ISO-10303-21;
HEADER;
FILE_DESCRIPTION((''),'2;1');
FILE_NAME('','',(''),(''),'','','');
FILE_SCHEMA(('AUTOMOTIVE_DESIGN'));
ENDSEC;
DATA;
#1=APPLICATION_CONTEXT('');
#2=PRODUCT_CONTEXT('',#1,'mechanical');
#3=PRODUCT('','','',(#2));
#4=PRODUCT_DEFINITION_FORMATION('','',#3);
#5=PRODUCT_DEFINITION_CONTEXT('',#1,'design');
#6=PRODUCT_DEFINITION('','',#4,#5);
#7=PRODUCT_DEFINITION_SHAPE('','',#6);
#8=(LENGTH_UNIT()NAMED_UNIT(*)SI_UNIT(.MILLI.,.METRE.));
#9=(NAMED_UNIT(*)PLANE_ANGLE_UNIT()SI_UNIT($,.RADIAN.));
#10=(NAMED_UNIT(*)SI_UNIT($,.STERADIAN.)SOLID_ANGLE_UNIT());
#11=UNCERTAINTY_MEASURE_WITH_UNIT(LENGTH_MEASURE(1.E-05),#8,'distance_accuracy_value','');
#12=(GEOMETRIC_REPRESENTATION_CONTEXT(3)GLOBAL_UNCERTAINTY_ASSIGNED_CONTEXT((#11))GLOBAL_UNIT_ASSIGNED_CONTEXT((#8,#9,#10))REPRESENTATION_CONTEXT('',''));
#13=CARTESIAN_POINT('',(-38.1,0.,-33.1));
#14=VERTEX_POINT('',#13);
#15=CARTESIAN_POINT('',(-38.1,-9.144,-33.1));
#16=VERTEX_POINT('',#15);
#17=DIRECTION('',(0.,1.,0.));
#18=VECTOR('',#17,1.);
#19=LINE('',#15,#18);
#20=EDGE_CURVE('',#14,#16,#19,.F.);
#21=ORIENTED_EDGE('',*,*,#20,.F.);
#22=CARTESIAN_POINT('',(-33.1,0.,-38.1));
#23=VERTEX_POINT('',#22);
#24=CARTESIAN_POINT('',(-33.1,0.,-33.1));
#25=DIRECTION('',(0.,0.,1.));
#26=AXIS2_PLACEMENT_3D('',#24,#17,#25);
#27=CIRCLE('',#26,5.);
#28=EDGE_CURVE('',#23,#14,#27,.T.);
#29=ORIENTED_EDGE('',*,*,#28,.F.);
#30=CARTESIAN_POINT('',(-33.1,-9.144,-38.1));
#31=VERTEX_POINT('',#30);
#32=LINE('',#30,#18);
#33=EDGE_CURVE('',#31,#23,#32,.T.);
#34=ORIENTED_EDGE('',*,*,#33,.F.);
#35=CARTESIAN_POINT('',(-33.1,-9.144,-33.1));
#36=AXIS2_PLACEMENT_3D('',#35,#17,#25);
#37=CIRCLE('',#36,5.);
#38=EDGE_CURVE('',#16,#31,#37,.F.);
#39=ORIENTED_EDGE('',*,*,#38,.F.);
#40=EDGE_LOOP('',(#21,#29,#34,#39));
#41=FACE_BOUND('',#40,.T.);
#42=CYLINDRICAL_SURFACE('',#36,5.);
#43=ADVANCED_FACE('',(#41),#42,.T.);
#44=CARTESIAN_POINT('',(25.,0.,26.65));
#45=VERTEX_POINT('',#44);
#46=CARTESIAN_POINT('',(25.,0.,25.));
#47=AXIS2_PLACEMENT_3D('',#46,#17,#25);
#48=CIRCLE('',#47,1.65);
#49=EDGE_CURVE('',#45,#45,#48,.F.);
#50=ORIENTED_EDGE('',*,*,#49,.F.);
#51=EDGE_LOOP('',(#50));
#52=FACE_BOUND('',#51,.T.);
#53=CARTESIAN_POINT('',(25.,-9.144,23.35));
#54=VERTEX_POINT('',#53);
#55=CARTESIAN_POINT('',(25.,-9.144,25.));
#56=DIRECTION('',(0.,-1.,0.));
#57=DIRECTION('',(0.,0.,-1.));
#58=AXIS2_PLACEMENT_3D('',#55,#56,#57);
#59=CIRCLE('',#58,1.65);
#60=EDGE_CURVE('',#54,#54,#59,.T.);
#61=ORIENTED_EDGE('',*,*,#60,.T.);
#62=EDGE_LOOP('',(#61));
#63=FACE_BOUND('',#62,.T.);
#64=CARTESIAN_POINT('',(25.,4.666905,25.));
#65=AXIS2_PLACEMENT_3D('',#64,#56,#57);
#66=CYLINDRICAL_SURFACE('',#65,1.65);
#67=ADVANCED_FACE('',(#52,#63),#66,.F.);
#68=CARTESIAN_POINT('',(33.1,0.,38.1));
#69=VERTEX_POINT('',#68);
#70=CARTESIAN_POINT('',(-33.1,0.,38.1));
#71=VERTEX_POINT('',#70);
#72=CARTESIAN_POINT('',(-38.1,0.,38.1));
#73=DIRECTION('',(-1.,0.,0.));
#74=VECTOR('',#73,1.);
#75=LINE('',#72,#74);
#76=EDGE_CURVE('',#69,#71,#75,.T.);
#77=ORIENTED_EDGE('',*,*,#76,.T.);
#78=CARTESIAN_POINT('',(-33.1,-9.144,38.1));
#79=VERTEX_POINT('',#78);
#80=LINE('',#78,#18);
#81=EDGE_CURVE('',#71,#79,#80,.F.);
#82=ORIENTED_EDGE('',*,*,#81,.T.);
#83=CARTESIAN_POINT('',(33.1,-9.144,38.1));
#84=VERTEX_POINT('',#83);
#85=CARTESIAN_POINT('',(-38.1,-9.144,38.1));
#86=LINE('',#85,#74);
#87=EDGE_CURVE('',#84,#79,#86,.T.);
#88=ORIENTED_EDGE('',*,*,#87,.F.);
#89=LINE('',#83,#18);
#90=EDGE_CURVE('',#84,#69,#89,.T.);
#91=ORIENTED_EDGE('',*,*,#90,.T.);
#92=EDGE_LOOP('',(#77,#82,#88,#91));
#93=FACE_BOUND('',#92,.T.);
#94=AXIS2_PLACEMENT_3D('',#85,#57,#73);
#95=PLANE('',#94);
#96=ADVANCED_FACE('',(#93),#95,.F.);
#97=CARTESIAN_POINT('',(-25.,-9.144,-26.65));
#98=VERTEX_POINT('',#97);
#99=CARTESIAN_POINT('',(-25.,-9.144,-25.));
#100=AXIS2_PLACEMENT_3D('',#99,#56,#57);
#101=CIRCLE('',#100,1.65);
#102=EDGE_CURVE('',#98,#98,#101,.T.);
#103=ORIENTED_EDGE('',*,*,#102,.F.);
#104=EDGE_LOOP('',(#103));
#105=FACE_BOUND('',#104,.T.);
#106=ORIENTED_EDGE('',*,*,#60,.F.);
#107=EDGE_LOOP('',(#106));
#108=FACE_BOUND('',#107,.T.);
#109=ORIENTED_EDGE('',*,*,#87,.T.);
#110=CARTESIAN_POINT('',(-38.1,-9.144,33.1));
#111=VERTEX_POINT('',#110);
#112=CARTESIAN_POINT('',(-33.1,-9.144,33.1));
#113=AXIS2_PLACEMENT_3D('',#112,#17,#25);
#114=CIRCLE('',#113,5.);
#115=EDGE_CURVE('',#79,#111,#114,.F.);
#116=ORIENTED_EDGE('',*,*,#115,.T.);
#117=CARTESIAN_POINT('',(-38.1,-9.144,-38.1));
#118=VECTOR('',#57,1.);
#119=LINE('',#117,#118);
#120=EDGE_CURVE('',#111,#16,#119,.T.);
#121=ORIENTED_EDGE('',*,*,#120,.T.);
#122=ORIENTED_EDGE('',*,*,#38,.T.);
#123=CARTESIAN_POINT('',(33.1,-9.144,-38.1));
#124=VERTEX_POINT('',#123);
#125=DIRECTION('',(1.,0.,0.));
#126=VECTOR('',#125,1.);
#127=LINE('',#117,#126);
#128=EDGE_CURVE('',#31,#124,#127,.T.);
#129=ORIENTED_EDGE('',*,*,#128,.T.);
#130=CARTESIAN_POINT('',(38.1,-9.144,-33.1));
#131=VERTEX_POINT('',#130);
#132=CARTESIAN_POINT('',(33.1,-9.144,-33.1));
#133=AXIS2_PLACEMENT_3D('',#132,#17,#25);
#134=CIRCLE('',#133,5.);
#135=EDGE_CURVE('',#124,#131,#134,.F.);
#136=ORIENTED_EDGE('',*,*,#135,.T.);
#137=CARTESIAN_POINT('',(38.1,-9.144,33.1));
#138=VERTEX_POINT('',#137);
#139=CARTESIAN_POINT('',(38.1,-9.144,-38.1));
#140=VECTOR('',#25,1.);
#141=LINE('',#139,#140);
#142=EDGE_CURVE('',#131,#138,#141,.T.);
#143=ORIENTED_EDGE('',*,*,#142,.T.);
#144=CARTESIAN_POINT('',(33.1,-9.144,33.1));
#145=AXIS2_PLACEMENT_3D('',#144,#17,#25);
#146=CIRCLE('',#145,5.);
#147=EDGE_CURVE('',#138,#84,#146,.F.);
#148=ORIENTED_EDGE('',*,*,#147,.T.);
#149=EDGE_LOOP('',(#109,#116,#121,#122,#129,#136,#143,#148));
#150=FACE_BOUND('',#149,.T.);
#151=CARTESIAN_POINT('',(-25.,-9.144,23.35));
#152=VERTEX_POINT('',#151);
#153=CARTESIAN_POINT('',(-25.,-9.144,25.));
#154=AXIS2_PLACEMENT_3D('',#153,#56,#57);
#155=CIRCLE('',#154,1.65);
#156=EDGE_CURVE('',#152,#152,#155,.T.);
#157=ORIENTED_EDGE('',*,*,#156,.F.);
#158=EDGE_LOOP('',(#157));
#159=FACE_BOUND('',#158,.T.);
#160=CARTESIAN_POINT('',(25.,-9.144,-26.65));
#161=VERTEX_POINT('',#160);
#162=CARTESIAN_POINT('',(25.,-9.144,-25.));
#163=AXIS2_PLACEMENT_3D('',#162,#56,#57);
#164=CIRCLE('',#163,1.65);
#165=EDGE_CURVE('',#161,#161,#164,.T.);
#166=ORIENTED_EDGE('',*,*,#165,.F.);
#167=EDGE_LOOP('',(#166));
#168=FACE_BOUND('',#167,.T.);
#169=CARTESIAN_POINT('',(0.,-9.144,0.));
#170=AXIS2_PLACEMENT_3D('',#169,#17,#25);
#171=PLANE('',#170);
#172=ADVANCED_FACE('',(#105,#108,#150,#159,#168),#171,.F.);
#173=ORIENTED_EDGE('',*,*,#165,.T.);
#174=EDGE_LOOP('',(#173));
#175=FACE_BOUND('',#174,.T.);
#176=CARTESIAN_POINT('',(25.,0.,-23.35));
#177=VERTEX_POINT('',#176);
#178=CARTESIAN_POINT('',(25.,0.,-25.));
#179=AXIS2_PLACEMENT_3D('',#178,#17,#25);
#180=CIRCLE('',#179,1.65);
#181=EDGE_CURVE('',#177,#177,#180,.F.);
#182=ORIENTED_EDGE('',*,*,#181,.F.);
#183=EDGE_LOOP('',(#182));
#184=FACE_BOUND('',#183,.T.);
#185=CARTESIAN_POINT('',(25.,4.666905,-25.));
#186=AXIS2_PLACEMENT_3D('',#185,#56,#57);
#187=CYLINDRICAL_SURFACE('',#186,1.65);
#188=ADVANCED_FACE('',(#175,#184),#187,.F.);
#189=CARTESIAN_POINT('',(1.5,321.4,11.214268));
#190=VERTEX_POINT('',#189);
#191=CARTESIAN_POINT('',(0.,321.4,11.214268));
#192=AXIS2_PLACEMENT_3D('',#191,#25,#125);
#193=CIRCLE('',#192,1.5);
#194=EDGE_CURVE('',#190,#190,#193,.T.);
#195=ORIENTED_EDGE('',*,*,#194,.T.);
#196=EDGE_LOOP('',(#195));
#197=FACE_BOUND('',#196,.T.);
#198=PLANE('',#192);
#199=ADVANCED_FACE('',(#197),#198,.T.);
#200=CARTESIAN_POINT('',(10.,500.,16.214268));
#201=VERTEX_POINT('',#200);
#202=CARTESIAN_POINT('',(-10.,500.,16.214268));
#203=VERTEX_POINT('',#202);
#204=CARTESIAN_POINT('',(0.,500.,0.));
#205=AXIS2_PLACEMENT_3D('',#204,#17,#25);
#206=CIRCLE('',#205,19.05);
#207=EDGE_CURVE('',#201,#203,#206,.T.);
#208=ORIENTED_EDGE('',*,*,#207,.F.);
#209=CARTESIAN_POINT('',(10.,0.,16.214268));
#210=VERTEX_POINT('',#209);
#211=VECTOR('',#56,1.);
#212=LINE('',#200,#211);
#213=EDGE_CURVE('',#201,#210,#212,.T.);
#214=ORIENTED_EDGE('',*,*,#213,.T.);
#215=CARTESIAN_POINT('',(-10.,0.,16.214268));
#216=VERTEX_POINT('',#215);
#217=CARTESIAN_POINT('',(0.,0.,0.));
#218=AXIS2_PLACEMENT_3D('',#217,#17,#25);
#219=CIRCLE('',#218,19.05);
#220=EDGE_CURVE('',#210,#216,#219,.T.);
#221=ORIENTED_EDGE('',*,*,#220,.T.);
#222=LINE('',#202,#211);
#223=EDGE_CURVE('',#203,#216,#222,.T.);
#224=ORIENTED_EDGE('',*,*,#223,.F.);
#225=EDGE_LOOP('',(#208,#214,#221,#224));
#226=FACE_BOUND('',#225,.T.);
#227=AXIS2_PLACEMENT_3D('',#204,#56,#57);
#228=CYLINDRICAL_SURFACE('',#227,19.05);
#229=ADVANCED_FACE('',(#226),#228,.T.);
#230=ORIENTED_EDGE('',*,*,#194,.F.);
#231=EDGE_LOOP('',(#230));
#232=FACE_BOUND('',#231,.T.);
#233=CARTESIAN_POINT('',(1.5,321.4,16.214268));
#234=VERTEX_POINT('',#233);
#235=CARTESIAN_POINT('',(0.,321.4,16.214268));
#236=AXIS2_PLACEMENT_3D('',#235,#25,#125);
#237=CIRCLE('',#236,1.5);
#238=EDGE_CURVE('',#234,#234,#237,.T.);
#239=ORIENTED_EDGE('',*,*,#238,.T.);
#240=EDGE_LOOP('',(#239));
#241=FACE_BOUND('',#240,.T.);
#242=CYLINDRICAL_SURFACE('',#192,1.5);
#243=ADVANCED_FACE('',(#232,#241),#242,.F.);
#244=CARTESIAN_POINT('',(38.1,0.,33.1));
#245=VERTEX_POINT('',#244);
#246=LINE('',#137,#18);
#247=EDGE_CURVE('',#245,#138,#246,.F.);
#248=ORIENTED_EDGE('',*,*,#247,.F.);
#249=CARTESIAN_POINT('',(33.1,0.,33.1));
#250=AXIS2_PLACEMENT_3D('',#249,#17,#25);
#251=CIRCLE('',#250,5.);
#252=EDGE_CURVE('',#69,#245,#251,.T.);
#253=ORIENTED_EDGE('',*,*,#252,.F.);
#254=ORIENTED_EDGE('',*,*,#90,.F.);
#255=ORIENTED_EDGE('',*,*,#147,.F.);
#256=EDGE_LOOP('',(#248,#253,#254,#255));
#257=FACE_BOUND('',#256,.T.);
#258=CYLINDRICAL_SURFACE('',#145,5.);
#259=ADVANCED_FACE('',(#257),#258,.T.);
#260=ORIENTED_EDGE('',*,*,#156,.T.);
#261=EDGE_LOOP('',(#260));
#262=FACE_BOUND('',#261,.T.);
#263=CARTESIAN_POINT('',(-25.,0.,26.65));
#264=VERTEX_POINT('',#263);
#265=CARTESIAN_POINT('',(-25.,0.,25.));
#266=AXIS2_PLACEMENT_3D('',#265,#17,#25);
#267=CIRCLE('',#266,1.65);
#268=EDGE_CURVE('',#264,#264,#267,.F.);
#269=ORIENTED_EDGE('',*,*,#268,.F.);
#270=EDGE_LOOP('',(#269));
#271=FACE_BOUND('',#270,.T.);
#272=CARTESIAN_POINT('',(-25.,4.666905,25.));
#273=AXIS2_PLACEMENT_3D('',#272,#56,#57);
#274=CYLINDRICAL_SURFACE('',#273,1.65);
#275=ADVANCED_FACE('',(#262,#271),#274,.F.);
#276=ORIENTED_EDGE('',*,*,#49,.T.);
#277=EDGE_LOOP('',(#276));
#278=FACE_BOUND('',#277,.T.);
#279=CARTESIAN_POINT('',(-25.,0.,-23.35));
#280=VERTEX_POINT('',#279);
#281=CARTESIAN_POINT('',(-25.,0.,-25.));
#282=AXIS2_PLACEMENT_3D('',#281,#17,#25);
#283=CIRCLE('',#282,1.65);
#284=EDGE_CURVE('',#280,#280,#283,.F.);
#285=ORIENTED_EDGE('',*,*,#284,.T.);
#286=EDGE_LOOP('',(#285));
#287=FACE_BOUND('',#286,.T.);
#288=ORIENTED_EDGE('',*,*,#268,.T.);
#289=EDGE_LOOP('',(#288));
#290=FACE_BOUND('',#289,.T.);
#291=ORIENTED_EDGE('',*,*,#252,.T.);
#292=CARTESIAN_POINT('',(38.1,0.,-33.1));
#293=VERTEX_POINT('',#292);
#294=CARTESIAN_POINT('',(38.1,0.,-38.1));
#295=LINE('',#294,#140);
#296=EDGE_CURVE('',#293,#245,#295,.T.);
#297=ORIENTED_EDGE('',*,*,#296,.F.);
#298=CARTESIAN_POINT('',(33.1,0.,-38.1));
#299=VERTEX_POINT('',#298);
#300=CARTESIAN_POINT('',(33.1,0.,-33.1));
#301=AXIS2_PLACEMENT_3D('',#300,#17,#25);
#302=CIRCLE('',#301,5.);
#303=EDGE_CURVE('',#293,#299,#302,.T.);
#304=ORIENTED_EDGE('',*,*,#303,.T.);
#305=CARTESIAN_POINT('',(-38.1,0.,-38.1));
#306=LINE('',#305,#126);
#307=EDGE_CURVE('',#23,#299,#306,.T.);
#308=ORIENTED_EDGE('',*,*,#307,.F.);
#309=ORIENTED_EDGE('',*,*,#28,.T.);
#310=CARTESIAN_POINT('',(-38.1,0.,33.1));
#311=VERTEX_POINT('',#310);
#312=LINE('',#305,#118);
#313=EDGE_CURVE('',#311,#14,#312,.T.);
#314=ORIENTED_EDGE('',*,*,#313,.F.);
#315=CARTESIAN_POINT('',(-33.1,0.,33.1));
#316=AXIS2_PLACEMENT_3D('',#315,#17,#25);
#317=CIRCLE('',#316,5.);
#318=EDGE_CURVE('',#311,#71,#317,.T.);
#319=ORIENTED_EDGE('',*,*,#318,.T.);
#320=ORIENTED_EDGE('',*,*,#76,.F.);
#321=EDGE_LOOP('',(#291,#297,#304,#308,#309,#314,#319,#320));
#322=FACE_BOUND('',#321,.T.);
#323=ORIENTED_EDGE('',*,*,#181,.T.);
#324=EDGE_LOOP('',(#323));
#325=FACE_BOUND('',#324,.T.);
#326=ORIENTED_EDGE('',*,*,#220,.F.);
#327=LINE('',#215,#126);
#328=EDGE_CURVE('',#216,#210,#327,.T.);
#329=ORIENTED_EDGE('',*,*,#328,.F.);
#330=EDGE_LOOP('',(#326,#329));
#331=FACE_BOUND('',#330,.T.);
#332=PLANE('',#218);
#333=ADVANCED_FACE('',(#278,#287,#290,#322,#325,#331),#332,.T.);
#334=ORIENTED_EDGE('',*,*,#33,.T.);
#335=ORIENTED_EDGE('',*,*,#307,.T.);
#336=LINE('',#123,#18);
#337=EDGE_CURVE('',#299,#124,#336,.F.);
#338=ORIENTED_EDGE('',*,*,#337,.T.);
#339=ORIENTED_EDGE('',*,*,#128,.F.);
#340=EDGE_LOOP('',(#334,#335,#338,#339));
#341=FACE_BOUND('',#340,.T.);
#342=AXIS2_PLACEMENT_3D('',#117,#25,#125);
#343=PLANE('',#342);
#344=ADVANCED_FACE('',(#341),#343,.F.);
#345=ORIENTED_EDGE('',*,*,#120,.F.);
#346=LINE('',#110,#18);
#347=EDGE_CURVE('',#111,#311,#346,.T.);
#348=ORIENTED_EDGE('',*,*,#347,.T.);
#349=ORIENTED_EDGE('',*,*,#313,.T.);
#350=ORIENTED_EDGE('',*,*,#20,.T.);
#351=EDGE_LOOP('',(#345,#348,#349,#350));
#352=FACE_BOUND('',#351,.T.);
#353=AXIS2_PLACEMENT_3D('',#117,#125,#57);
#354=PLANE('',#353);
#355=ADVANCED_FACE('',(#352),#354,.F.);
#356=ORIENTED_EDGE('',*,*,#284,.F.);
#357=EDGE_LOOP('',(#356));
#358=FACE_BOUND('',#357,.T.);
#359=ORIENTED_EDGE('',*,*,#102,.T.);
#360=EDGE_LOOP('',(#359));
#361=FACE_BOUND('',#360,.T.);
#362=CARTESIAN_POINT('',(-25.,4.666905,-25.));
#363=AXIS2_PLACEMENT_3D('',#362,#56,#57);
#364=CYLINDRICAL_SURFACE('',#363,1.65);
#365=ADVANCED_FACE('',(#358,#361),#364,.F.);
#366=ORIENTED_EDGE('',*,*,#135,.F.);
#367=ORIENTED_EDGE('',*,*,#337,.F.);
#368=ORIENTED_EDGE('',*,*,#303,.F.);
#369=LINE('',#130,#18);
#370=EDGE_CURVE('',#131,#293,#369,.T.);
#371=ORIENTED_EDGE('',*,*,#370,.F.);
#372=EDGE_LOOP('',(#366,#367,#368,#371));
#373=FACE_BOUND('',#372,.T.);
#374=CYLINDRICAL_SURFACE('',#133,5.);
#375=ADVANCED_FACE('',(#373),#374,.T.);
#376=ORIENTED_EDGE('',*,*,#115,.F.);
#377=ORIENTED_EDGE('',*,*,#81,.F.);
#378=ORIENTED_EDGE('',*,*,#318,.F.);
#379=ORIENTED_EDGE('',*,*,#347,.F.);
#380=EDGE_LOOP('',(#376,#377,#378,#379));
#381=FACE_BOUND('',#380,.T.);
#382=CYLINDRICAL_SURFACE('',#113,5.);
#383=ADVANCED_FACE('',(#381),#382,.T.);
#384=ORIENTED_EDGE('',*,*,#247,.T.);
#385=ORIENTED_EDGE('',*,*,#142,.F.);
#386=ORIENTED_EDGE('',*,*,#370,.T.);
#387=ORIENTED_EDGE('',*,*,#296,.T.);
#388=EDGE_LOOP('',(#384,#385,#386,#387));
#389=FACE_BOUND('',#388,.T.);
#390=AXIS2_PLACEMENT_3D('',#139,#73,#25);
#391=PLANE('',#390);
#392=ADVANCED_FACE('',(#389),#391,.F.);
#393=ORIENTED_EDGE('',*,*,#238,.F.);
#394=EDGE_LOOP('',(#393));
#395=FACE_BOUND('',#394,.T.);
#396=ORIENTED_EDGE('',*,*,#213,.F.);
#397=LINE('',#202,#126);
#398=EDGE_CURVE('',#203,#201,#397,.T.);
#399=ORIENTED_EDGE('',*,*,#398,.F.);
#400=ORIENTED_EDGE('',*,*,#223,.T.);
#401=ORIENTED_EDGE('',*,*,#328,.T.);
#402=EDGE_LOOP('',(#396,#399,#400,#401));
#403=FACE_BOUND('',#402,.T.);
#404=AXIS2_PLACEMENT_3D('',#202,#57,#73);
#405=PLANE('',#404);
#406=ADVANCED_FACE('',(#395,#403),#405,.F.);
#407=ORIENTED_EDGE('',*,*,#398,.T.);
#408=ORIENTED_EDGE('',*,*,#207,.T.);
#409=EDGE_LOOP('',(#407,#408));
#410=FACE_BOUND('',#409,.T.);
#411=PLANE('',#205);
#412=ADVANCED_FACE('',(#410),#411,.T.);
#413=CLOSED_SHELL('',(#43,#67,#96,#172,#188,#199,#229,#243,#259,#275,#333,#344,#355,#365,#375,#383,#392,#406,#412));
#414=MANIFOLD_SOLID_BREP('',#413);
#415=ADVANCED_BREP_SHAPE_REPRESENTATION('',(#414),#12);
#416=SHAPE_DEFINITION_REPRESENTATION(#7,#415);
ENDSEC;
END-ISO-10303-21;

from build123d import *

# Parameters (mm, degrees)
BOSS_EXTRUDE1_DEPTH = 500
SKETCH5_R           = 1.5
CUT_EXTRUDE1_DEPTH  = 5
SKETCH6_W           = 76.2
SKETCH6_H           = 76.2
BOSS_EXTRUDE2_DEPTH = 9.144
SKETCH7_R           = 1.65
CUT_EXTRUDE2_DEPTH  = 9.144
FILLET1_R           = 5


with BuildPart() as part:
    # Sketch3 → Boss-Extrude1 (new body)
    with BuildSketch(Plane(origin=(0, 0, 0), x_dir=(1, 0, 0), z_dir=(0, 1, 0))):
        with BuildLine():
            Line((-10, -16.214268408), (10, -16.214268408))
            ThreePointArc((10, -16.214268408), (0, 19.05), (-10, -16.214268408))
        make_face()
    extrude(amount=BOSS_EXTRUDE1_DEPTH)

    # Sketch5 → Cut-Extrude1 (cut)
    with BuildSketch(Plane.XY.offset(16.214268408)):
        with Locations((0, 321.4)):
            Circle(SKETCH5_R)
    extrude(amount=-CUT_EXTRUDE1_DEPTH, mode=Mode.SUBTRACT)

    # Sketch6 → Boss-Extrude2 (add)
    with BuildSketch(Plane.XZ):
        Rectangle(SKETCH6_W, SKETCH6_H)
    extrude(amount=BOSS_EXTRUDE2_DEPTH)

    # Sketch7 → Cut-Extrude2 (cut)
    with BuildSketch(Plane.XZ.offset(9.144)):
        with Locations((-25, 25)):
            Circle(SKETCH7_R)
        with Locations((25, 25)):
            Circle(SKETCH7_R)
        with Locations((25, -25)):
            Circle(SKETCH7_R)
        with Locations((-25, -25)):
            Circle(SKETCH7_R)
    extrude(amount=-CUT_EXTRUDE2_DEPTH, mode=Mode.SUBTRACT)

    # Fillet1
    fillet1_edges = [part.edges().sort_by_distance(p)[0] for p in [
        (38.1, -4.572, -38.1),
        (38.1, -4.572, 38.1),
        (-38.1, -4.572, 38.1),
        (-38.1, -4.572, -38.1),
    ]]
    fillet(fillet1_edges, radius=FILLET1_R)


solid = part.part
